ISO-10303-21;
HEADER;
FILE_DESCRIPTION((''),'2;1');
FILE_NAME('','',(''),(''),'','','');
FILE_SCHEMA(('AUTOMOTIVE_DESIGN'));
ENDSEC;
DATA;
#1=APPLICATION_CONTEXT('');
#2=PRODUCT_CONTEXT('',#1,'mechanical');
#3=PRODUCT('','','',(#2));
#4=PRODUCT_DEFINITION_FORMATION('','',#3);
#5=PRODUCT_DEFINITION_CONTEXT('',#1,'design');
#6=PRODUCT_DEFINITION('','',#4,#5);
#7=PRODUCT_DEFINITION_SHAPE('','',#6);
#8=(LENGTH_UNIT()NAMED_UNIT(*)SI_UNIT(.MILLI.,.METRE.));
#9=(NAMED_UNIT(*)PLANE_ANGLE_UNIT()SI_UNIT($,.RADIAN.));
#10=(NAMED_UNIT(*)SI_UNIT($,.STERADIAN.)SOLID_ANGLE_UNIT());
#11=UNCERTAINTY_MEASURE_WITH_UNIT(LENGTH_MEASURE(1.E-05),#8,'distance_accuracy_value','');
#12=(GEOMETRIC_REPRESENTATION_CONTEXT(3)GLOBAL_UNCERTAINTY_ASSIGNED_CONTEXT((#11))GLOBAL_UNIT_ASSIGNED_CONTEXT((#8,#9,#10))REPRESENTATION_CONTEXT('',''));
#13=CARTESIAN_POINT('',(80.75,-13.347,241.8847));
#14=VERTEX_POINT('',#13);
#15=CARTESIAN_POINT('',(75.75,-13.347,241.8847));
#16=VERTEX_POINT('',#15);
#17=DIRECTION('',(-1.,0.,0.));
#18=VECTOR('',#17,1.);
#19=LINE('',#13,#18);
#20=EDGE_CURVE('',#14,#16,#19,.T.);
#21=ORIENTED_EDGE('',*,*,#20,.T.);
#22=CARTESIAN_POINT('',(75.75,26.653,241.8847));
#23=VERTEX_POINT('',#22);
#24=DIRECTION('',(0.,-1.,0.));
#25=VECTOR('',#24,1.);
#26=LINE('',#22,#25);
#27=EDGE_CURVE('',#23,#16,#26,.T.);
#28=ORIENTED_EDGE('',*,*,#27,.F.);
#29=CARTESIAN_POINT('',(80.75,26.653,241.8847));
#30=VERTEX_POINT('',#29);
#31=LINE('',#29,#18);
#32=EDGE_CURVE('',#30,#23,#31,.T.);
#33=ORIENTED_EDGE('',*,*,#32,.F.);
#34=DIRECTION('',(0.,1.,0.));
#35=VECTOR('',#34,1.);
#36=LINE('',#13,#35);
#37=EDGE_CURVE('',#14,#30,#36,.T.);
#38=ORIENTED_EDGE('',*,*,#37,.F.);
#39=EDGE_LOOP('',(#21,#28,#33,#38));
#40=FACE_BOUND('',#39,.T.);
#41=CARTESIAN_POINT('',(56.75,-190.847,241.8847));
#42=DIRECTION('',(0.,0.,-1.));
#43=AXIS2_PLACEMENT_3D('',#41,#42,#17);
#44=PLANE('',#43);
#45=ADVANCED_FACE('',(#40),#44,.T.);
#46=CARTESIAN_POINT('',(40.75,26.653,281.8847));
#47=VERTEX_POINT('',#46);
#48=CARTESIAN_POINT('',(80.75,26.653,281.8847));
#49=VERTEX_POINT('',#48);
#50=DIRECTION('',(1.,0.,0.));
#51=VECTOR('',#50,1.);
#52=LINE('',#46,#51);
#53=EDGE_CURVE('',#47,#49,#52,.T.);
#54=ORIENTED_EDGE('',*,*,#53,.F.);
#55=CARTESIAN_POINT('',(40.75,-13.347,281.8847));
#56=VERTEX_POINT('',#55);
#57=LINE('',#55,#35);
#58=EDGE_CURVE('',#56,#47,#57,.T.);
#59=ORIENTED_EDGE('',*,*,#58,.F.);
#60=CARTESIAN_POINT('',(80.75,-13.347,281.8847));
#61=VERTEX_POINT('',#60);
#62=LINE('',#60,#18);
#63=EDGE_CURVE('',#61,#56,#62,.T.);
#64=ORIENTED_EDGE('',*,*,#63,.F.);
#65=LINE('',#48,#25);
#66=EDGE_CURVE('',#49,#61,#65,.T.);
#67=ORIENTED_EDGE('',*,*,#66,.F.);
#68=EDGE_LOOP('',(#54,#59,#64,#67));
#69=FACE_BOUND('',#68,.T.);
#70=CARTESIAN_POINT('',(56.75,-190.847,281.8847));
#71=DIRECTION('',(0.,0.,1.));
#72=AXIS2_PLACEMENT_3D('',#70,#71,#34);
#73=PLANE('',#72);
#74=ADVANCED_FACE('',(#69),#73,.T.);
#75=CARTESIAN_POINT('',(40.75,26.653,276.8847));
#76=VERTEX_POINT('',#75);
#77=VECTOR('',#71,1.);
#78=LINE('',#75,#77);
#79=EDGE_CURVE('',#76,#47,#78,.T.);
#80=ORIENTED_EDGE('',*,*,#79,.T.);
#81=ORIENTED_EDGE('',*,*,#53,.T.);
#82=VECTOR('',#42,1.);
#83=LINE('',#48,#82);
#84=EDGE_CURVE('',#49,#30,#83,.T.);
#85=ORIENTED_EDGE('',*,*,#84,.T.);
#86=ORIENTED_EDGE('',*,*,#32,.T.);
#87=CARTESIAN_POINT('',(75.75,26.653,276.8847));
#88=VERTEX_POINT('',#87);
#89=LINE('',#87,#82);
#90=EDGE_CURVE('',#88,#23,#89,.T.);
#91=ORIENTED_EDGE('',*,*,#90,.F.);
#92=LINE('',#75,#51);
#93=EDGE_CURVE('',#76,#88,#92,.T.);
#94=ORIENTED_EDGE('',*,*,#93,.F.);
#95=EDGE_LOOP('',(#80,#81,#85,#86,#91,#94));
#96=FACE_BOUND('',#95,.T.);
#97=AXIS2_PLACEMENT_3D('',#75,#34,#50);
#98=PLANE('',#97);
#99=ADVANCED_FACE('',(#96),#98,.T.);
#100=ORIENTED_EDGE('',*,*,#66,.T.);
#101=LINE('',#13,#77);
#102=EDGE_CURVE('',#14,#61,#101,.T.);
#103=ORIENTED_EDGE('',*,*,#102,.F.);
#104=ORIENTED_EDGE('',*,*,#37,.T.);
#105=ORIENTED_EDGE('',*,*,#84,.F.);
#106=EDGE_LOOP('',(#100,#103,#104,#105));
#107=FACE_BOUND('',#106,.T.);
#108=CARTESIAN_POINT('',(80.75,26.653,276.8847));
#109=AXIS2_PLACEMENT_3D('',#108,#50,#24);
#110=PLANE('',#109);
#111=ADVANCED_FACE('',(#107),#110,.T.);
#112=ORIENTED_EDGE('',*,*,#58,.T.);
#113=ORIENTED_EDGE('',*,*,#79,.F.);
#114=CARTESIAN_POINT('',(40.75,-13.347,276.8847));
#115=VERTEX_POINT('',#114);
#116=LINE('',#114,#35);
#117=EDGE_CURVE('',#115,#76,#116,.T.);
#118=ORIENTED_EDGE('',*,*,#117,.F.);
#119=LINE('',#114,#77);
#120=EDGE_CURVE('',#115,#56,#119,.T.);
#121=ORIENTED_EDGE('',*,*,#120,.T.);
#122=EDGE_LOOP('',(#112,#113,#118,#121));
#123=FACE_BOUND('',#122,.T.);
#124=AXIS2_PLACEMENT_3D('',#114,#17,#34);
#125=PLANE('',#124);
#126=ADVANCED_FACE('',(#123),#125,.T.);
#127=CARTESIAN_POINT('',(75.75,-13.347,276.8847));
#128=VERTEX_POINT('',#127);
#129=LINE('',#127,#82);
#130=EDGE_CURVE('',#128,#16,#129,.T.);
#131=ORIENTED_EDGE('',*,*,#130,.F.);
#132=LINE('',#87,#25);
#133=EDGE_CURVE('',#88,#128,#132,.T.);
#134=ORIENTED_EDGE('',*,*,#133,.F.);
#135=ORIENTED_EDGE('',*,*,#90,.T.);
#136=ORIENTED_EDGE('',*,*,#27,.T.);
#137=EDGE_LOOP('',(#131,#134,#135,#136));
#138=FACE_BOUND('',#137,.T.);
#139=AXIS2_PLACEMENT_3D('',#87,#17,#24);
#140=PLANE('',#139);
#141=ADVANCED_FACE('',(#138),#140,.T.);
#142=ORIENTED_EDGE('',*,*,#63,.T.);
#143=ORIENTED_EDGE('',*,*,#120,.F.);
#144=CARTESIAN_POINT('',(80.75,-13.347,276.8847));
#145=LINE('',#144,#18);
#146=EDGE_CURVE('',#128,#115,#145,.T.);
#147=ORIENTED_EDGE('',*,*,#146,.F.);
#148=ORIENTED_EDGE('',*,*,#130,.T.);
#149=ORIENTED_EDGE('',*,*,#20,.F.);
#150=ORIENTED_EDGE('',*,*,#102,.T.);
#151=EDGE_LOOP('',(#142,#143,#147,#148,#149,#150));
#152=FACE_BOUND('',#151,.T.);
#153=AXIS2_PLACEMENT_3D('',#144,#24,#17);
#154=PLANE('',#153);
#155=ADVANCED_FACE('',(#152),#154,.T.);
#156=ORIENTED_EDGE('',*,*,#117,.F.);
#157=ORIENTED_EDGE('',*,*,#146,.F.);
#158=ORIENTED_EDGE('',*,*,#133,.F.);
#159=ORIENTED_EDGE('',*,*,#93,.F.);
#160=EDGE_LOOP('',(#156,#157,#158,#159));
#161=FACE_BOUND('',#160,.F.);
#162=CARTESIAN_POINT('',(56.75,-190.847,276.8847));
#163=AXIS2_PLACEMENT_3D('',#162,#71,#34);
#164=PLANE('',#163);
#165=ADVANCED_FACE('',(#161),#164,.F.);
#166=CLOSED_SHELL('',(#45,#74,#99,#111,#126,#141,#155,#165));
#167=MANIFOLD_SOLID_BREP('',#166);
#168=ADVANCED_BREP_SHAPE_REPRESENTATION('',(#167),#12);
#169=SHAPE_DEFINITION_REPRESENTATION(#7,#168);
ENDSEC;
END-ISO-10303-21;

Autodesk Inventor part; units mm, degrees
ref_plane "YZ Plane" through (0, 0, 0) normal (1, 0, 0) x (0, 1, 0)
ref_plane "XZ Plane" through (0, 0, 0) normal (0, 1, 0) x (-1, 0, 0)
ref_plane "XY Plane" through (0, 0, 0) normal (0, 0, 1) x (1, 0, 0)
ref_plane "Work Plane1" through (56.75, -190.847, 276.8847) normal (0, 0, 1) x (0, 1, 0)
sketch "Sketch1" plane through (56.75, -190.847, 276.8847) normal (0, 0, 1) x (0, 1, 0)
  line L0 (0, 16) -> (395, 16) construction
  line L1 (0, 0) -> (395, 0) construction
  line L2 (177.5, 16) -> (217.5, 16)
  line L3 (217.5, 16) -> (217.5, -24)
  line L4 (217.5, -24) -> (177.5, -24)
  line L5 (177.5, -24) -> (177.5, 16)
  line L6 (197.5, 16) -> (197.5, -37.288) construction
  point P0 (190.847, 56.75)
  dimension "d0" = 40
  dimension "d1" = 40
extrude "Extrusion1" add sketch "Sketch1" along normal blind 5
sketch "Sketch2" plane through (56.75, -190.847, 276.8847) normal (0, 0, -1) x (-1, 0, 0)
  line L0 (-24, 177.5) -> (16, 177.5) projected
  line L1 (-24, 217.5) -> (-19, 217.5)
  line L2 (-19, 217.5) -> (-19, 177.5)
  line L3 (-19, 177.5) -> (-24, 177.5)
  line L4 (-24, 177.5) -> (-24, 217.5)
  point P0 (56.75, 190.847)
  dimension "d4" = 5
extrude "Extrusion2" add sketch "Sketch2" along normal blind 35
properties part number "staffa_estrusore"
